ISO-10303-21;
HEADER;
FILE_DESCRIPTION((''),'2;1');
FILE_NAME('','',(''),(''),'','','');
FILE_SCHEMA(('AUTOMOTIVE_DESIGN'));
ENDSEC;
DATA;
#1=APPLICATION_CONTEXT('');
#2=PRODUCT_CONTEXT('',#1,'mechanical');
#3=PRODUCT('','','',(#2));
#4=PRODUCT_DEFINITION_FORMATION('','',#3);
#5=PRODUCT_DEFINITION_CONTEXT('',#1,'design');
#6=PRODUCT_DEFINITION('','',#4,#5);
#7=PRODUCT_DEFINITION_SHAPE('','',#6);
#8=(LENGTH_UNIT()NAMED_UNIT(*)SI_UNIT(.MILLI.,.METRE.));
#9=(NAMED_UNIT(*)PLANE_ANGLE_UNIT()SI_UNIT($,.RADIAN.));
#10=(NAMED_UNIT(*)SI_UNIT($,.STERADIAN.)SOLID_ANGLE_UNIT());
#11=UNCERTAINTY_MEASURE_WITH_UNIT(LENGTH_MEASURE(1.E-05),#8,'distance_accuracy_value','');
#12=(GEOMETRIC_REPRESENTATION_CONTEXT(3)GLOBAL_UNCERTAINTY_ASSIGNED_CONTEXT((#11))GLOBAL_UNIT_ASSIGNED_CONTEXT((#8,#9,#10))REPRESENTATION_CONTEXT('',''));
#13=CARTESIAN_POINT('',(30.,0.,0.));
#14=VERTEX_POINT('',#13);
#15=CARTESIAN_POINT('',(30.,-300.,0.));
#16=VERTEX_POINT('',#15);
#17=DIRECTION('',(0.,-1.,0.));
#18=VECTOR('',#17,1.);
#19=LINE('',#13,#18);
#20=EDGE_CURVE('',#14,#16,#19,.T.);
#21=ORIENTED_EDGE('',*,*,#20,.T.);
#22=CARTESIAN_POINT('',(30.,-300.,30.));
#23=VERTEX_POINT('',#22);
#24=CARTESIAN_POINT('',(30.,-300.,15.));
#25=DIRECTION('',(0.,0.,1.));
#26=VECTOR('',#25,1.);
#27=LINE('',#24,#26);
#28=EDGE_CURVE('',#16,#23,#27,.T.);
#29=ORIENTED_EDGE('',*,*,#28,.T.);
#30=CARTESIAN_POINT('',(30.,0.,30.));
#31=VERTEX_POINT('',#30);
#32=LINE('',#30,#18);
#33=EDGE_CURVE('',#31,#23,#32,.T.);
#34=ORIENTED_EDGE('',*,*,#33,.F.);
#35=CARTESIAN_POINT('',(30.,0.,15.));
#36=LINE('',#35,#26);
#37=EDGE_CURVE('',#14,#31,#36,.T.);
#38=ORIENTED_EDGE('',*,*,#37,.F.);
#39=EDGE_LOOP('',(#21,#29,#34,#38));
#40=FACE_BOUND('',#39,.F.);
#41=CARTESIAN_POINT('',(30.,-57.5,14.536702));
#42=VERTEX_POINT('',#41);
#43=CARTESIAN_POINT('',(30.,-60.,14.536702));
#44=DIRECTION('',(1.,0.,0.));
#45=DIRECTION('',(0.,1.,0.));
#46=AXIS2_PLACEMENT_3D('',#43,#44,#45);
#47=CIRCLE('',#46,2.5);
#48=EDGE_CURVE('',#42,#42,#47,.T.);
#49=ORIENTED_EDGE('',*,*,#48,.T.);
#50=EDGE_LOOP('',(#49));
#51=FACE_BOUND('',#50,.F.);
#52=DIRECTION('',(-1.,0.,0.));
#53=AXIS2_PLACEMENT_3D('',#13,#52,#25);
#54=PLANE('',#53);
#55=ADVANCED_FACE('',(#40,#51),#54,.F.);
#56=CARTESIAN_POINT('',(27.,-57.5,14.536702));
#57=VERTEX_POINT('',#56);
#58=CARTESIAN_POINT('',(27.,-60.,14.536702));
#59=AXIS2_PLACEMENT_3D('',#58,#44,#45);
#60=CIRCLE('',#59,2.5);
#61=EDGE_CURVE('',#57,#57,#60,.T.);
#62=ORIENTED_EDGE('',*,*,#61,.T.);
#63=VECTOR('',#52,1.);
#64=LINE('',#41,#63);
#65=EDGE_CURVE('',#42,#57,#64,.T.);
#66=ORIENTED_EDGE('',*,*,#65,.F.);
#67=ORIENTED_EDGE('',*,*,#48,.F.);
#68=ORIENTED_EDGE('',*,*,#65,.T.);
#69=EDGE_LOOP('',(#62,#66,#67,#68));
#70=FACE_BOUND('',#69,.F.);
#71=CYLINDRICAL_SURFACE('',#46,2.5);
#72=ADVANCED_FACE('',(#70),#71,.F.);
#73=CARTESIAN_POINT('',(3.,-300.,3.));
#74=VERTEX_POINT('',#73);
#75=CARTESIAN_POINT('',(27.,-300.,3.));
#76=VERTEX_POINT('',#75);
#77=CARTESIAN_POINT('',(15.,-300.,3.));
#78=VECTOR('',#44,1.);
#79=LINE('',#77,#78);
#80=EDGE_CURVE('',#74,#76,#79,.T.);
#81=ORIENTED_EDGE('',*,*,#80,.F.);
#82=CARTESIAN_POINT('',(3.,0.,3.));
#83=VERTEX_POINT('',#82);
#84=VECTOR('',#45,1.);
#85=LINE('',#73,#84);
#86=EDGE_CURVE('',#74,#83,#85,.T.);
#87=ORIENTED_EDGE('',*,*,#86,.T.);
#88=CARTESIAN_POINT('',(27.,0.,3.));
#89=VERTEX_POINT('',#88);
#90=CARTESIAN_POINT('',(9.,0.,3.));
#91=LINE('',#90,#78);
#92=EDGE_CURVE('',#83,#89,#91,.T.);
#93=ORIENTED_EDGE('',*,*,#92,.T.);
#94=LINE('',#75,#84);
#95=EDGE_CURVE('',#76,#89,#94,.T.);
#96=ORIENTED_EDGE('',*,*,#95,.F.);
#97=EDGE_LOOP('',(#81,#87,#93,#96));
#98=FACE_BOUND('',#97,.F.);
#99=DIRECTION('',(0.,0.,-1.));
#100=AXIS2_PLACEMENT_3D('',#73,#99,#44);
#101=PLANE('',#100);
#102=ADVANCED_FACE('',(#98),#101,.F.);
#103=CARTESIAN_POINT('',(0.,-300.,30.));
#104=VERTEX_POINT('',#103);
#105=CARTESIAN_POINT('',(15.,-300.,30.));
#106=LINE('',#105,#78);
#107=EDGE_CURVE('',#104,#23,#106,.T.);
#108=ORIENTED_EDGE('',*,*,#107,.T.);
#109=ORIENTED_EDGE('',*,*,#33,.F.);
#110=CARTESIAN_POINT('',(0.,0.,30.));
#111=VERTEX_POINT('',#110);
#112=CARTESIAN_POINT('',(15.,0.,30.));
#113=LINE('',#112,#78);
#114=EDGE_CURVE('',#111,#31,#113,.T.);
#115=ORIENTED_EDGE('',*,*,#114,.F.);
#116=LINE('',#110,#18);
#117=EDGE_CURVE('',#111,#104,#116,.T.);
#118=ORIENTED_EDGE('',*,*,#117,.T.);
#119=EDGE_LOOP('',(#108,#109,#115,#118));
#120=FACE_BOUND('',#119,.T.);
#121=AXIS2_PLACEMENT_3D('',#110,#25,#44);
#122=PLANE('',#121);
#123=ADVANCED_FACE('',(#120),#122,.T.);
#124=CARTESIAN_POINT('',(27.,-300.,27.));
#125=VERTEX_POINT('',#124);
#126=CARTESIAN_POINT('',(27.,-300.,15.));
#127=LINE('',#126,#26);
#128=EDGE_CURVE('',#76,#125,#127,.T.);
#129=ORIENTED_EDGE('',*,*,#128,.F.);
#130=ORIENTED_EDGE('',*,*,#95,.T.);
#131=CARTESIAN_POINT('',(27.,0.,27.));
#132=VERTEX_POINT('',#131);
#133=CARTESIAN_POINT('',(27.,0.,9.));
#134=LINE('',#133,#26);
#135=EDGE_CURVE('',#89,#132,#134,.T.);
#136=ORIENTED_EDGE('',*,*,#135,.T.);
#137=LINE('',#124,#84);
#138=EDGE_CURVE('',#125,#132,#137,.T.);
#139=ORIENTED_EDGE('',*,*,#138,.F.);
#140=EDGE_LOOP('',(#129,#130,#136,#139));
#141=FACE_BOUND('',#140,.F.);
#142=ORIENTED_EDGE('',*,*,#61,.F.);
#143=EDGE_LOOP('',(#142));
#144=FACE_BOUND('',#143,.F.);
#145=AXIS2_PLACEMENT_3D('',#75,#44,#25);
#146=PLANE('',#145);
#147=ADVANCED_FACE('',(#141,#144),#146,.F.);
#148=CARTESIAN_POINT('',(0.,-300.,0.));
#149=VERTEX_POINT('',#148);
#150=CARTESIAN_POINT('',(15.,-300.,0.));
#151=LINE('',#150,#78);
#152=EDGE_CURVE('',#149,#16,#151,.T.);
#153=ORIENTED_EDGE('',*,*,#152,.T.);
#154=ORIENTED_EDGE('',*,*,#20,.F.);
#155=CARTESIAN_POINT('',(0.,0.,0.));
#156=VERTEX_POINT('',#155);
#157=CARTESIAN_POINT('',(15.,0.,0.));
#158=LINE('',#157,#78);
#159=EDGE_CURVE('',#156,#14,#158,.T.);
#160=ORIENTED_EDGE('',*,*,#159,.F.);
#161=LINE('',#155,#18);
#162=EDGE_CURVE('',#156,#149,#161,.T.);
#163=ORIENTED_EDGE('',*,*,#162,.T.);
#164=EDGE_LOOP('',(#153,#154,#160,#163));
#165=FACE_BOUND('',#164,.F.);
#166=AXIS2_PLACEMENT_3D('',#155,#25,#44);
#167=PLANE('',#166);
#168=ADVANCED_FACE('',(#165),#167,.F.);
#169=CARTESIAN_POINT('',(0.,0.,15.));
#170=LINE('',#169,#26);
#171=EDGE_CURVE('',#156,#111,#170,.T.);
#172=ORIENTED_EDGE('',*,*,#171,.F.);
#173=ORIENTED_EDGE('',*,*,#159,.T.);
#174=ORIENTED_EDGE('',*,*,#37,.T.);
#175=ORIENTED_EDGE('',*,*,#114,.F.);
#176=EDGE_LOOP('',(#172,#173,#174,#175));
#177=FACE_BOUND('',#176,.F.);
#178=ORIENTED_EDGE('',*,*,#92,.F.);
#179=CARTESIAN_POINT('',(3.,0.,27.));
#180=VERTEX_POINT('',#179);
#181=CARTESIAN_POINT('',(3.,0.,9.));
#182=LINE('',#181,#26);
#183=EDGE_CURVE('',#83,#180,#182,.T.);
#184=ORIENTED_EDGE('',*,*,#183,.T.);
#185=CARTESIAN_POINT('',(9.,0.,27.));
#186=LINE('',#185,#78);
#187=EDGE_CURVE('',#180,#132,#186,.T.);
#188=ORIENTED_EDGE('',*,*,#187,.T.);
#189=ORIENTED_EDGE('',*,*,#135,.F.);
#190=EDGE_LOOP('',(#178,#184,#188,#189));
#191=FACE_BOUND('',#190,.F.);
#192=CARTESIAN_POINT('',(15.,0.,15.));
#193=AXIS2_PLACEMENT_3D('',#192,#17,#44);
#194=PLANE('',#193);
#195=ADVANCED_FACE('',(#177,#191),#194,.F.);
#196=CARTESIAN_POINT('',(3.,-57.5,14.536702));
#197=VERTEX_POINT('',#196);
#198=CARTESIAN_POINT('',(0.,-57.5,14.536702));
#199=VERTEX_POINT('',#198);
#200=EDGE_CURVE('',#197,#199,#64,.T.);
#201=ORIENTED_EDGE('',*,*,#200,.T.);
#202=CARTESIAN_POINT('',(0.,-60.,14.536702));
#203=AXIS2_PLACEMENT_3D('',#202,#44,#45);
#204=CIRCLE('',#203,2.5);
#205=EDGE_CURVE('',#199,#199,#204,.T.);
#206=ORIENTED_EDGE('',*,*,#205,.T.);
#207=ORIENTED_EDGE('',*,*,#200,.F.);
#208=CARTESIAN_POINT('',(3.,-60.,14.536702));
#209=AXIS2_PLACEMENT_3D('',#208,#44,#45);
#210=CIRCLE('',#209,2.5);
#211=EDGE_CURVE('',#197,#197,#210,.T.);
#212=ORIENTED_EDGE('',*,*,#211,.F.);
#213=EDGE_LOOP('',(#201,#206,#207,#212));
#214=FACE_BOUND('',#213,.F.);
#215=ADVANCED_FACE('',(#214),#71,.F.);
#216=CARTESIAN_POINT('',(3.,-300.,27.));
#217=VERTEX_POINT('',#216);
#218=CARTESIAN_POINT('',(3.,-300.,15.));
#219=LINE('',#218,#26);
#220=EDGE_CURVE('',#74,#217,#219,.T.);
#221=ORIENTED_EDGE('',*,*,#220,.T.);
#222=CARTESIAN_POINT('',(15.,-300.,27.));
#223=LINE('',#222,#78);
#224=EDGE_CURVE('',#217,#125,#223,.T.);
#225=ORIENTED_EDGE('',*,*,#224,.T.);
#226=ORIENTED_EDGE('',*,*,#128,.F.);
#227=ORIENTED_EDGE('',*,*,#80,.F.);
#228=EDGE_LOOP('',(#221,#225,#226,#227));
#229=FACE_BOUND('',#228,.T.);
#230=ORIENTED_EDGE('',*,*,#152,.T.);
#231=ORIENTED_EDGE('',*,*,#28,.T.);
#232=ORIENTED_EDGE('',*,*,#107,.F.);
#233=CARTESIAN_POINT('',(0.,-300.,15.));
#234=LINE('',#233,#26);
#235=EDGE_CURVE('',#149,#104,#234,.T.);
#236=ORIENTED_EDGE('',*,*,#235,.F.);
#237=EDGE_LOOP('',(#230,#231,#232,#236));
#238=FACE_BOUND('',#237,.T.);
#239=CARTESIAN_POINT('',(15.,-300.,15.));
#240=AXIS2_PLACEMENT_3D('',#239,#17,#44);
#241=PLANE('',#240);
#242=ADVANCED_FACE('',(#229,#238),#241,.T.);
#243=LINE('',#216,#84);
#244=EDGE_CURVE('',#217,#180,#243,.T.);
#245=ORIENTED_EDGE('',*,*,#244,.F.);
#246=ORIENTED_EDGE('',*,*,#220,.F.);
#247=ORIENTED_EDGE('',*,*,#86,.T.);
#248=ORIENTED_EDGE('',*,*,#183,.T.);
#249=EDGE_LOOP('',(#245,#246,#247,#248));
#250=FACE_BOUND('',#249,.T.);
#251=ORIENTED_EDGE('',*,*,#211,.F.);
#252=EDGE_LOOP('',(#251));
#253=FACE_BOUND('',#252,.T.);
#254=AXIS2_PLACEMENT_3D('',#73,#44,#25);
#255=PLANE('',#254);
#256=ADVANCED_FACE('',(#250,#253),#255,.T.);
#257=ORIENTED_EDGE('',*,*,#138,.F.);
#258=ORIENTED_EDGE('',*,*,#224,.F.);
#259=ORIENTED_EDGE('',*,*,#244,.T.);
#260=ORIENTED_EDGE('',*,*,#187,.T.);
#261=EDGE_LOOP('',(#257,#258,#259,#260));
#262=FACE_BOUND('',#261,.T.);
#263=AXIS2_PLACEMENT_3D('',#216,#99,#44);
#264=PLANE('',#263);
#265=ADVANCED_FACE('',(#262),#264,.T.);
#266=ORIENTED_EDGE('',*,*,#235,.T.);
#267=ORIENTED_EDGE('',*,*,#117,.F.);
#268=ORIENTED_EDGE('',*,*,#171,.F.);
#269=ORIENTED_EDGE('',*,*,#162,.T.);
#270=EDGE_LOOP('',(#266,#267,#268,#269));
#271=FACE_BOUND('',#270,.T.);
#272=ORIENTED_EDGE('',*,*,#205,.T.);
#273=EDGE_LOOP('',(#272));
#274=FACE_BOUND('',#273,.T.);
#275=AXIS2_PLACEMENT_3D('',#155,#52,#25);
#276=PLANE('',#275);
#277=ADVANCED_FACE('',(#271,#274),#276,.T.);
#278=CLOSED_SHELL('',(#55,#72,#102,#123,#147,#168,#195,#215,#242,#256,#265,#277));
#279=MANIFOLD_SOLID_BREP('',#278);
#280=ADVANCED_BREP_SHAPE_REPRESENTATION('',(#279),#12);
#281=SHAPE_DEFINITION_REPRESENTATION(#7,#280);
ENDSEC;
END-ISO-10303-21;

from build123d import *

# Parameters (mm, degrees)
F0_W     = 30
F0_H     = 30
F1_DEPTH = 300
F2_W     = 24
F2_H     = 24
F3_DEPTH = 300.001
F4_R     = 2.5
F5_DEPTH = 30.001


with BuildPart() as f1:
    # F0 (on Front) → F1 (new body)
    with BuildSketch(Plane.XZ):
        with Locations((15, 15)):
            Rectangle(F0_W, F0_H)
    extrude(amount=F1_DEPTH)

    # F2 (on face) → F3 (cut, through all)
    with BuildSketch(Plane.XZ.offset(300)):
        with Locations((15, 15)):
            Rectangle(F2_W, F2_H)
    extrude(amount=-F3_DEPTH, mode=Mode.SUBTRACT)

    # F4 (on face) → F5 (cut, through all)
    with BuildSketch(Plane.YZ.offset(30)):
        with Locations((-60, 14.536702)):
            Circle(F4_R)
    extrude(amount=-F5_DEPTH, mode=Mode.SUBTRACT)


solid = f1.part
